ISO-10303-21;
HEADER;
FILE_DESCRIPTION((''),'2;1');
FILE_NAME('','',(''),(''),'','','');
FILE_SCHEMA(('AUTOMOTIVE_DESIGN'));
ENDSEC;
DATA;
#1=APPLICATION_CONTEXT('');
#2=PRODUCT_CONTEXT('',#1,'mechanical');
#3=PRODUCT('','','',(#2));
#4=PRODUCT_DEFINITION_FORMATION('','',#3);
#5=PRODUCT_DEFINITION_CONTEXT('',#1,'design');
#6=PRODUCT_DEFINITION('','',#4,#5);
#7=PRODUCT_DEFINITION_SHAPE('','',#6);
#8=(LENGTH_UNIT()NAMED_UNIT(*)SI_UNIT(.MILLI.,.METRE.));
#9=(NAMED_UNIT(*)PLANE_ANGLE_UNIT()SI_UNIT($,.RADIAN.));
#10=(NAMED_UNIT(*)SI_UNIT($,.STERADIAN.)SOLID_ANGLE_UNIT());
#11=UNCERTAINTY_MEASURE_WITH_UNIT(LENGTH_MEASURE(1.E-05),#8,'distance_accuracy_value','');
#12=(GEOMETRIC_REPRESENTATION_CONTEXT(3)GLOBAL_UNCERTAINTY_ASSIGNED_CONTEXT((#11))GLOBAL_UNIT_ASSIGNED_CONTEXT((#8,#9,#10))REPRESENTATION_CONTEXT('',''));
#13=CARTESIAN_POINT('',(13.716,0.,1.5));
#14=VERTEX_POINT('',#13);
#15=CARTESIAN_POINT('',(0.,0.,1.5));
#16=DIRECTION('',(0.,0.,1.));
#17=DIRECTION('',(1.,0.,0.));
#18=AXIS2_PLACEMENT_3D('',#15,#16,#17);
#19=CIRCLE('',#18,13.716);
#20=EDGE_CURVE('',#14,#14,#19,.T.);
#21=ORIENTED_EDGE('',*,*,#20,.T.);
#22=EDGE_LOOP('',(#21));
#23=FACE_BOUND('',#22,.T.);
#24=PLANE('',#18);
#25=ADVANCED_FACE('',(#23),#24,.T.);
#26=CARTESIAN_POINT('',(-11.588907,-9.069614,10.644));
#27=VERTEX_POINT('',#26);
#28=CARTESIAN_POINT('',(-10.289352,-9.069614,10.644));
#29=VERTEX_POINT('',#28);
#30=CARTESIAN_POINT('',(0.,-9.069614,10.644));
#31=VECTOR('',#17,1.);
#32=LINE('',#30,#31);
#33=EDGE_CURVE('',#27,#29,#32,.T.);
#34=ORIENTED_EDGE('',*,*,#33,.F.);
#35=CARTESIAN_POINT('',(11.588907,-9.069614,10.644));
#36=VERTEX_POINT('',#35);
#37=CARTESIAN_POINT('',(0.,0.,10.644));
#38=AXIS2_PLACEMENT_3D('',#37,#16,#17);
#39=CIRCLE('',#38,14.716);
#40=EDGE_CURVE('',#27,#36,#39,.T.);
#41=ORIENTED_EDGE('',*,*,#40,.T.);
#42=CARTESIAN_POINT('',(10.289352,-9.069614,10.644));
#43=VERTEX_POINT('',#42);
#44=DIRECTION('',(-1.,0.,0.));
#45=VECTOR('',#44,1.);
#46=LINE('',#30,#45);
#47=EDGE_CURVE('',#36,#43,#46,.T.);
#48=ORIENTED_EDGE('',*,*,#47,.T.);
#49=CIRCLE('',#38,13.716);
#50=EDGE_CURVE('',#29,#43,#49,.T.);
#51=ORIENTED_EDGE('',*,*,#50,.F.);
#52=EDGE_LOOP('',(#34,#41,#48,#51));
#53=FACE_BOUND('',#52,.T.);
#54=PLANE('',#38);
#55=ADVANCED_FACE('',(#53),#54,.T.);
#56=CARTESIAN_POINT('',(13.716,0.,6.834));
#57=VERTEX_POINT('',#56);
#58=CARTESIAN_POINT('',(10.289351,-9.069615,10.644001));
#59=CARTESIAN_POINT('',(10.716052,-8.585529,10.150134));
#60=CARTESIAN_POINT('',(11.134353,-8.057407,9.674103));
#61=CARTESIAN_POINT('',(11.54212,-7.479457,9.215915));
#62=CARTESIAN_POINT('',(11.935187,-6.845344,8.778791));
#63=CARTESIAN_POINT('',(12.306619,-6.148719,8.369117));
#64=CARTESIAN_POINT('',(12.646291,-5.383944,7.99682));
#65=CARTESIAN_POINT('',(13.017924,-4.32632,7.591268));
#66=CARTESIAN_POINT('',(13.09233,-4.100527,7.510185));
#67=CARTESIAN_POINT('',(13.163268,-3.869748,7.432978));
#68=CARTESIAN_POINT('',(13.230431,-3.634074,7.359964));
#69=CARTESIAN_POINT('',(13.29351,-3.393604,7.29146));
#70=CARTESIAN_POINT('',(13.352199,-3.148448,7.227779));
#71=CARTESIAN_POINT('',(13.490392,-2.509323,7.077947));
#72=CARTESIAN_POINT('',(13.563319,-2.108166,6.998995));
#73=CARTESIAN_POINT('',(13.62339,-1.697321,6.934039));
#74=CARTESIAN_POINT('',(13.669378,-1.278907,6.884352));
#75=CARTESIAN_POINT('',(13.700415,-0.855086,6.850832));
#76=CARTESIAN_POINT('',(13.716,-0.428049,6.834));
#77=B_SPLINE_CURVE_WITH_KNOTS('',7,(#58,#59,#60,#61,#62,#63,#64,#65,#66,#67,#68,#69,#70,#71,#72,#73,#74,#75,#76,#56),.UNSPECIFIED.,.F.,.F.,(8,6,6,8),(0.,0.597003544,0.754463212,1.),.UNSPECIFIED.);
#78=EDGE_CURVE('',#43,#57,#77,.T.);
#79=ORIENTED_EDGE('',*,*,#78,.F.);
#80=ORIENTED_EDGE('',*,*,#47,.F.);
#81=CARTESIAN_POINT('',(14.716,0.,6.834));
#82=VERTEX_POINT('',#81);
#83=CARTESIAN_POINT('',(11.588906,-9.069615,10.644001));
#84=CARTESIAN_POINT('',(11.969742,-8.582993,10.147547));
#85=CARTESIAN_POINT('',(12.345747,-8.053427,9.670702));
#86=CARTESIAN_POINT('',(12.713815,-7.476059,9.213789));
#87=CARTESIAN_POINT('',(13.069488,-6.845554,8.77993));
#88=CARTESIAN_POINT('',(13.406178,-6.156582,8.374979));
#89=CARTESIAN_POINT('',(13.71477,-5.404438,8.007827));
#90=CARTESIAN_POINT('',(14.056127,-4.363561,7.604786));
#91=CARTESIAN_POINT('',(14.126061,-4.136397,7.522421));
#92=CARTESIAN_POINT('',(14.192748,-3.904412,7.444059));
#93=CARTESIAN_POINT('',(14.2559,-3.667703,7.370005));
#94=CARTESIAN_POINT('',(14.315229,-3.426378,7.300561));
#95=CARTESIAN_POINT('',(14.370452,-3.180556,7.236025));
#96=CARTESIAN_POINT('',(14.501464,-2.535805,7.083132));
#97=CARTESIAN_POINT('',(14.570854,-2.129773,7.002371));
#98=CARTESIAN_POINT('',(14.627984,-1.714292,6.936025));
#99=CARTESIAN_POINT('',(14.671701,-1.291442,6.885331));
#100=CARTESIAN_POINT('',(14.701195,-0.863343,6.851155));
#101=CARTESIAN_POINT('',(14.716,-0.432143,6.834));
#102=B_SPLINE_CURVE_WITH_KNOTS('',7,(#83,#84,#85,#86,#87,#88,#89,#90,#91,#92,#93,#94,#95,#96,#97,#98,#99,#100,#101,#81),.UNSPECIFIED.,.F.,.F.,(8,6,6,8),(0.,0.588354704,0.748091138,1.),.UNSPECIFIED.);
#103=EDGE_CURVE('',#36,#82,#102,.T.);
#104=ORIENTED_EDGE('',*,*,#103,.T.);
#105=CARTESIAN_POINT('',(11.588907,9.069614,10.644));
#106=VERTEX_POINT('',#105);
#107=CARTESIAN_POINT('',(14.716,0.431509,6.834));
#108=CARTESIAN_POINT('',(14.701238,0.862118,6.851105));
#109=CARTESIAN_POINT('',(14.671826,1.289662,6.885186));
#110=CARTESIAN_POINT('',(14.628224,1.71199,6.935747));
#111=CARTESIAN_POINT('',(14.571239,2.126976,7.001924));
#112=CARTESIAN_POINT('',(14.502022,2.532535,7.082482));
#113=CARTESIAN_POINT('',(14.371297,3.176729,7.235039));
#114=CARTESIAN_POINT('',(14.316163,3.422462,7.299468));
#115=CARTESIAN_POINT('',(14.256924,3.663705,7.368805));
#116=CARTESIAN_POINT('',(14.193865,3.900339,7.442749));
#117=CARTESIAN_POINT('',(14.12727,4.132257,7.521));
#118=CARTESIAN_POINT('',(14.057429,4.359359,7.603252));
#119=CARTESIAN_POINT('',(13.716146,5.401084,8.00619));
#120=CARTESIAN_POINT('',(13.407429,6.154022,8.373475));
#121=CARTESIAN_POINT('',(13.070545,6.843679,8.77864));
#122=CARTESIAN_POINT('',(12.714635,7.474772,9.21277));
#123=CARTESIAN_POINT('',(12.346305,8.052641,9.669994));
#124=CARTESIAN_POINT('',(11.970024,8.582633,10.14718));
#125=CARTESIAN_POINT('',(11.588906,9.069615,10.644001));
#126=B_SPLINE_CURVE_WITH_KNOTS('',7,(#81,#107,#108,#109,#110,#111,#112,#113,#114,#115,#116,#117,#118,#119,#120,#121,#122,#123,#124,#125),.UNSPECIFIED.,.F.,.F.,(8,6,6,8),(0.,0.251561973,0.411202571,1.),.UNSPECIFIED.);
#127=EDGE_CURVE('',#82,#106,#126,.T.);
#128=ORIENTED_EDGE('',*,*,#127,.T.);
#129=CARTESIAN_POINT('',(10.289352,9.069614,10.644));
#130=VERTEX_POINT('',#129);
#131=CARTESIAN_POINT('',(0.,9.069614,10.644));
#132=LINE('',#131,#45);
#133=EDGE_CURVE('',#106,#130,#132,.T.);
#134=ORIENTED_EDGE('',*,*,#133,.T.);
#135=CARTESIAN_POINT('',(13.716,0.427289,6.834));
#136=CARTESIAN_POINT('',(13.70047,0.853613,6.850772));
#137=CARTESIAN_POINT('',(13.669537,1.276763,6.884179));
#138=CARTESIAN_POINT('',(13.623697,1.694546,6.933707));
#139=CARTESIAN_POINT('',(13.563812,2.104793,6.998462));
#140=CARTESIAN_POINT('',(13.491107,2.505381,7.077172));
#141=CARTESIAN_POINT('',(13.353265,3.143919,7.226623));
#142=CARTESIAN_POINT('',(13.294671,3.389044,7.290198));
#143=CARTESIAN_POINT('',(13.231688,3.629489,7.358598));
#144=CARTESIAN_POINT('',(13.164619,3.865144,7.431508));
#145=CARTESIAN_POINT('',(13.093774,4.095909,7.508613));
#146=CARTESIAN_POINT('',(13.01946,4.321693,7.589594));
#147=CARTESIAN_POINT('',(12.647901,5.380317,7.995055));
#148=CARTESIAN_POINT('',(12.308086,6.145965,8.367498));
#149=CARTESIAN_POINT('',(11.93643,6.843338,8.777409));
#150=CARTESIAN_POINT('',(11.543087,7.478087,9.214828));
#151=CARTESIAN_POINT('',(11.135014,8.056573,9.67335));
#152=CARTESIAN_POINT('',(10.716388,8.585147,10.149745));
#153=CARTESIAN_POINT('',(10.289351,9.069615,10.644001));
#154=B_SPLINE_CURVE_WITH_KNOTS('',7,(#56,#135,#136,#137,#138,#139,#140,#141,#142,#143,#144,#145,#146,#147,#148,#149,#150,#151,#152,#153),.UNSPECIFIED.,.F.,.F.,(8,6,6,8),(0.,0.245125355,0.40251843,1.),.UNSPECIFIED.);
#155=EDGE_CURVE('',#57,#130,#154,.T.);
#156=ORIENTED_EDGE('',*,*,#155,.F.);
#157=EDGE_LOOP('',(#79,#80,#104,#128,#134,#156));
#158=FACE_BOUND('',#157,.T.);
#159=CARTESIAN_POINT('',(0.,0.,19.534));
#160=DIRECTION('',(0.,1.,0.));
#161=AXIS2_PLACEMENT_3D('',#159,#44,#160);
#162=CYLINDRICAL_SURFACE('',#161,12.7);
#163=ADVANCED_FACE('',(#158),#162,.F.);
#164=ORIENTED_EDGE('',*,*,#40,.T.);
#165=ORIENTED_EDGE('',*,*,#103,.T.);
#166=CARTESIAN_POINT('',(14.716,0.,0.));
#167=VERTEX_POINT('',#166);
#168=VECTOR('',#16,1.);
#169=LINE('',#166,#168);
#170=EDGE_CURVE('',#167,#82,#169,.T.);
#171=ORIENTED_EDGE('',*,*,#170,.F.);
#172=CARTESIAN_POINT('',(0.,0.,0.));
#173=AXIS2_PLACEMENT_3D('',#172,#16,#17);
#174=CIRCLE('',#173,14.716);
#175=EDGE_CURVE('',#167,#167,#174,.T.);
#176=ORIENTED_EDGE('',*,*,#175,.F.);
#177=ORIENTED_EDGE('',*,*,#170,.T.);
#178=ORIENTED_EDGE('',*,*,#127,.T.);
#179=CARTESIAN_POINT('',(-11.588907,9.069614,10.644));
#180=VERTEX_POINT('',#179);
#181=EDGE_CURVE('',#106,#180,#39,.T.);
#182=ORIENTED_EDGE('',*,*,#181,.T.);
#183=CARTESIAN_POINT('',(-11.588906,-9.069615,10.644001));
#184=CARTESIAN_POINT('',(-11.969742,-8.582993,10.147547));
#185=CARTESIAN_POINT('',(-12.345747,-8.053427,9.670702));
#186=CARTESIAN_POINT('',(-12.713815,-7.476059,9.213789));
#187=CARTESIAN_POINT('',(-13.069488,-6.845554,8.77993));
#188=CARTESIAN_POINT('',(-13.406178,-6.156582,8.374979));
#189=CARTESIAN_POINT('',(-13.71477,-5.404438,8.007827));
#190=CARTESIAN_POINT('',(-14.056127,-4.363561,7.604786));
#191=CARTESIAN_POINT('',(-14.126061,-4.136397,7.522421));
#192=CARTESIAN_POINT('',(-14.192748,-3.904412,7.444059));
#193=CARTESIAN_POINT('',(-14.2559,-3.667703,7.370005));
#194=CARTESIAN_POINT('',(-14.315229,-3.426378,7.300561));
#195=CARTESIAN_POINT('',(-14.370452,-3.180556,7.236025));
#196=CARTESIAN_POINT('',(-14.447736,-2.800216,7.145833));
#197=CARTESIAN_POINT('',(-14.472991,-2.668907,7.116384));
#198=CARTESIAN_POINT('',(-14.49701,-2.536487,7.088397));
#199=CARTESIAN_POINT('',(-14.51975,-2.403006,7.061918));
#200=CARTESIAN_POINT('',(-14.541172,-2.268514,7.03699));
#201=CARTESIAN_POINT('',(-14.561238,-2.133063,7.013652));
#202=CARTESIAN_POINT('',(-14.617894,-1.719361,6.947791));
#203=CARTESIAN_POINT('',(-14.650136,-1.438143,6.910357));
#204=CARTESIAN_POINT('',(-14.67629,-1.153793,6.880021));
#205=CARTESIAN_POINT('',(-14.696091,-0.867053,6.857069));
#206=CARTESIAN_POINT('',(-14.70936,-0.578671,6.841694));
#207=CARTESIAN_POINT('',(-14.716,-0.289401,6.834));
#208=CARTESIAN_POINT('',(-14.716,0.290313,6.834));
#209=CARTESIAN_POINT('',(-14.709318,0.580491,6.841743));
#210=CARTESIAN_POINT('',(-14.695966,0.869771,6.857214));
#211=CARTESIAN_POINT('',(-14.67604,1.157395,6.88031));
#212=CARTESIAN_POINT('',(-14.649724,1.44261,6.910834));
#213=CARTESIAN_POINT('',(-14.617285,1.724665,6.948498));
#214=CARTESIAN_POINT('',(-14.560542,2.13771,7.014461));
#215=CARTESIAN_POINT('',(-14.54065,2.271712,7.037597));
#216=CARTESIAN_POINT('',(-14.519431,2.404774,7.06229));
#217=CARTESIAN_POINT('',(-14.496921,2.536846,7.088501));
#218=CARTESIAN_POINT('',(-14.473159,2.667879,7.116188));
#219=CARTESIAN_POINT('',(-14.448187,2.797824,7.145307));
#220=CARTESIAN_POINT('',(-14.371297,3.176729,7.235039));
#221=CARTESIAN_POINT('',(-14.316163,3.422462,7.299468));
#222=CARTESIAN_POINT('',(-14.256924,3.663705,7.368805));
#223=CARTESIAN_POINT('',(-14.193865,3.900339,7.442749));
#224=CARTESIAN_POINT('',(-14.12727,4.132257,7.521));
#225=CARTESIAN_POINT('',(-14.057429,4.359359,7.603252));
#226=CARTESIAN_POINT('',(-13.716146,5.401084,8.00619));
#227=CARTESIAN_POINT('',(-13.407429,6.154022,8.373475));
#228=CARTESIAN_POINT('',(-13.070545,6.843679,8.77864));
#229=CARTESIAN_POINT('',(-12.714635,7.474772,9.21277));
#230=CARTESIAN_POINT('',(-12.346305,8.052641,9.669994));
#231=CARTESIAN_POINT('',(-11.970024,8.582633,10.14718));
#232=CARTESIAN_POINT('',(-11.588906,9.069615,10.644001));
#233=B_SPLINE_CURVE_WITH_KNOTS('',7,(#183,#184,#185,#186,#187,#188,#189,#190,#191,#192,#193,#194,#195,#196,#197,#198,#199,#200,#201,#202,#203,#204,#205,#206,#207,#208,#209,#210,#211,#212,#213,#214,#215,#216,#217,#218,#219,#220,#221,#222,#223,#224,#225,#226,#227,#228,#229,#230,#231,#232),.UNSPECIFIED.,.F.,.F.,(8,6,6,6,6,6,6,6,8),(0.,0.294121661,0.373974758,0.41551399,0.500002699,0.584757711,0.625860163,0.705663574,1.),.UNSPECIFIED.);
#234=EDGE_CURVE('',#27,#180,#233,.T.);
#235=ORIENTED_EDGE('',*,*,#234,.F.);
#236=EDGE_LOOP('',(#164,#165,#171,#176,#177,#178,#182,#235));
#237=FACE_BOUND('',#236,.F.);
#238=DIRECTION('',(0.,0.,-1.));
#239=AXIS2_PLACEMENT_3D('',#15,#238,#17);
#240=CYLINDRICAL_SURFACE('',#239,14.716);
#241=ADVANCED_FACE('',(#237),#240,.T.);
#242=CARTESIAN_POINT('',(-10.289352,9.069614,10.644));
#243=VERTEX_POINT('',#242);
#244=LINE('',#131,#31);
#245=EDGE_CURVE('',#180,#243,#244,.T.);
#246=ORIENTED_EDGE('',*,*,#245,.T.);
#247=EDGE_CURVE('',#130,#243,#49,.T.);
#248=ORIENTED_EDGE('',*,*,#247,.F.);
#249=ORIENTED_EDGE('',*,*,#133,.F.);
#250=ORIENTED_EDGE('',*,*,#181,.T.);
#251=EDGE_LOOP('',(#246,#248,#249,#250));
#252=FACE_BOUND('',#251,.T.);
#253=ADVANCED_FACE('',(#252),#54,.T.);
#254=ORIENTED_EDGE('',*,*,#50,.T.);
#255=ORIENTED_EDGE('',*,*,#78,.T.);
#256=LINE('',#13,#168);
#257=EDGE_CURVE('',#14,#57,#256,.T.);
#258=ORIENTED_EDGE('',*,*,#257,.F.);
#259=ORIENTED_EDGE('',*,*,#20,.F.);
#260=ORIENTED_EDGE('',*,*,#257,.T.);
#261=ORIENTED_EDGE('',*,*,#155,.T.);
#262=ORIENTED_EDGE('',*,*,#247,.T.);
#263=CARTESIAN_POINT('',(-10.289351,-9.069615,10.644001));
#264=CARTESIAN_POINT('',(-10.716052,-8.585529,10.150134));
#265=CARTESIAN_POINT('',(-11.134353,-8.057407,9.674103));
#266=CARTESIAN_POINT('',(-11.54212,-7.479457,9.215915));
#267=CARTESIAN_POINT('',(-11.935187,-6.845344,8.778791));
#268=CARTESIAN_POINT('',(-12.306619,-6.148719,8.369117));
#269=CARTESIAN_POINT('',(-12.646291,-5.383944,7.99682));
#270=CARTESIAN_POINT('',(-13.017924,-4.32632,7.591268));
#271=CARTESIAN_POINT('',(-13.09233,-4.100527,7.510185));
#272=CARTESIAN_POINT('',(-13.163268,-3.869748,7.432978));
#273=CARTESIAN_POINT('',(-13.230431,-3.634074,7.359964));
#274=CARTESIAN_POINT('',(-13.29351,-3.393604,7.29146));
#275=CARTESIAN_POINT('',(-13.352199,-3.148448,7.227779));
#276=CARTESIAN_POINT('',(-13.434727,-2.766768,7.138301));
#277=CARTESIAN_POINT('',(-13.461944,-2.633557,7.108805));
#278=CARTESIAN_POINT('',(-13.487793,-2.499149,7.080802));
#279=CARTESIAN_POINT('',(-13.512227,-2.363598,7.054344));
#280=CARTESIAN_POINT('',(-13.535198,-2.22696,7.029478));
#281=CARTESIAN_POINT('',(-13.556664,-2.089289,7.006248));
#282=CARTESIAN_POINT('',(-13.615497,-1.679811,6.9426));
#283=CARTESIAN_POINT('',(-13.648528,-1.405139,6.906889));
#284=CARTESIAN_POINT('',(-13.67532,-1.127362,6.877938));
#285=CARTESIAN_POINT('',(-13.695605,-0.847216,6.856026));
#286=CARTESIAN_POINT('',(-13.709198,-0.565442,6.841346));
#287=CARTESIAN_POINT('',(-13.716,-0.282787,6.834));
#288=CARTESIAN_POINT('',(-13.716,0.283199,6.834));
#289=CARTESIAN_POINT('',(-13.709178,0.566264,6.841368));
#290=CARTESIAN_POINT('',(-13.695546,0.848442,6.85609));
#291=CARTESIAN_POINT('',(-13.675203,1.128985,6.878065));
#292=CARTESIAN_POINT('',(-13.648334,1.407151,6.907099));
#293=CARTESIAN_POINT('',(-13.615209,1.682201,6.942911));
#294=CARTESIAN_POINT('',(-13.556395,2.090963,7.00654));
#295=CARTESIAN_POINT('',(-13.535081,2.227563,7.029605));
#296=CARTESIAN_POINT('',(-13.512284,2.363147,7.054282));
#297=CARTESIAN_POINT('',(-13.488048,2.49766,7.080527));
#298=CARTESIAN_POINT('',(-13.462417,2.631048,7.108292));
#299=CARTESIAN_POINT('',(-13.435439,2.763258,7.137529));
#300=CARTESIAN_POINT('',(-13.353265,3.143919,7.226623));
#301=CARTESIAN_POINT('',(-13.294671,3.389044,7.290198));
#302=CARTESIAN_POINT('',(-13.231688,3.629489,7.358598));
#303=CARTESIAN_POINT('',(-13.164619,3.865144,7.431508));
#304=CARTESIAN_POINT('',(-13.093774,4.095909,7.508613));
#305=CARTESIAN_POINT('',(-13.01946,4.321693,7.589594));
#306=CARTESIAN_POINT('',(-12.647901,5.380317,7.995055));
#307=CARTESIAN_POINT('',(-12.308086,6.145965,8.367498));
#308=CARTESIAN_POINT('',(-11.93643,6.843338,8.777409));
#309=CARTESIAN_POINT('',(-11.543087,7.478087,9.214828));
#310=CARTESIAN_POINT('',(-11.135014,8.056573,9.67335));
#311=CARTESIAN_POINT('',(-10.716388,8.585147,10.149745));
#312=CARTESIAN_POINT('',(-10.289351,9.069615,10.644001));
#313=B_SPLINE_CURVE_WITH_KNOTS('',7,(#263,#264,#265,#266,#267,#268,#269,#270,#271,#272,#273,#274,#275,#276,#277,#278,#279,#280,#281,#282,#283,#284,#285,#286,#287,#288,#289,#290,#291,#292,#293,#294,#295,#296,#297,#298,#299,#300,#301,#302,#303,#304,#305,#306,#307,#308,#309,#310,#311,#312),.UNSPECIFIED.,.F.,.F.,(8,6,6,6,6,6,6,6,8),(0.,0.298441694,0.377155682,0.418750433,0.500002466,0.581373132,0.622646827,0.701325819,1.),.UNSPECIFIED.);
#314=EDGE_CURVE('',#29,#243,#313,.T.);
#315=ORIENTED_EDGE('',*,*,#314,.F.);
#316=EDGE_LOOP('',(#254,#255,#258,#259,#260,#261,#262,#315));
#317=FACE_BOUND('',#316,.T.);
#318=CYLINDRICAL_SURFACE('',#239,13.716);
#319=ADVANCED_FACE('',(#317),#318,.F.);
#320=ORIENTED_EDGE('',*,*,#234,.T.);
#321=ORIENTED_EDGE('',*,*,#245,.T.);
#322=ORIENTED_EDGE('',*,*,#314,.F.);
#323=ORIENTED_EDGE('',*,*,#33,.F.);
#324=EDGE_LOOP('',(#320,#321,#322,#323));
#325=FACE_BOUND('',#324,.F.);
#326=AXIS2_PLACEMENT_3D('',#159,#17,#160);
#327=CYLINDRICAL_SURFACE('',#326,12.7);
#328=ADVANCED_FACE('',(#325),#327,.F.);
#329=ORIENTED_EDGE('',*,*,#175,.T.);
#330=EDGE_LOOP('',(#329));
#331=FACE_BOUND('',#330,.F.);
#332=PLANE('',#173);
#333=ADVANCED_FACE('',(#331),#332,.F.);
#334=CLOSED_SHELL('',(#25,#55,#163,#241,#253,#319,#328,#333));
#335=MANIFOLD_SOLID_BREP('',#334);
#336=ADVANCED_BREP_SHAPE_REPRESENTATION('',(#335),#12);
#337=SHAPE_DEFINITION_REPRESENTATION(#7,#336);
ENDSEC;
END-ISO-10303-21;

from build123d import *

# Parameters (mm, degrees)
F2_R          = 14.716
F3_DEPTH      = 1.5
F4_R          = 14.716
F4_R_2        = 13.716
F5_DEPTH      = 9.144
F6_R          = 12.7
F7_DEPTH      = 14.717
F7_DEPTH_BACK = 14.717


with BuildPart() as f3:
    # F2 (on Top) → F3 (new body)
    with BuildSketch(Plane.XY):
        Circle(F2_R)
    extrude(amount=F3_DEPTH)

    # F4 (on face) → F5 (join)
    with BuildSketch(Plane.XY.offset(1.5)):
        Circle(F4_R)
        Circle(F4_R_2, mode=Mode.SUBTRACT)
    extrude(amount=F5_DEPTH)

    # F6 (on Right) → F7 (cut, two sides)
    with BuildSketch(Plane.YZ) as f7_sk:
        with Locations((0, 19.534)):
            Circle(F6_R)
    extrude(amount=-F7_DEPTH, mode=Mode.SUBTRACT)
    extrude(f7_sk.sketch, amount=F7_DEPTH_BACK, mode=Mode.SUBTRACT)


solid = f3.part
